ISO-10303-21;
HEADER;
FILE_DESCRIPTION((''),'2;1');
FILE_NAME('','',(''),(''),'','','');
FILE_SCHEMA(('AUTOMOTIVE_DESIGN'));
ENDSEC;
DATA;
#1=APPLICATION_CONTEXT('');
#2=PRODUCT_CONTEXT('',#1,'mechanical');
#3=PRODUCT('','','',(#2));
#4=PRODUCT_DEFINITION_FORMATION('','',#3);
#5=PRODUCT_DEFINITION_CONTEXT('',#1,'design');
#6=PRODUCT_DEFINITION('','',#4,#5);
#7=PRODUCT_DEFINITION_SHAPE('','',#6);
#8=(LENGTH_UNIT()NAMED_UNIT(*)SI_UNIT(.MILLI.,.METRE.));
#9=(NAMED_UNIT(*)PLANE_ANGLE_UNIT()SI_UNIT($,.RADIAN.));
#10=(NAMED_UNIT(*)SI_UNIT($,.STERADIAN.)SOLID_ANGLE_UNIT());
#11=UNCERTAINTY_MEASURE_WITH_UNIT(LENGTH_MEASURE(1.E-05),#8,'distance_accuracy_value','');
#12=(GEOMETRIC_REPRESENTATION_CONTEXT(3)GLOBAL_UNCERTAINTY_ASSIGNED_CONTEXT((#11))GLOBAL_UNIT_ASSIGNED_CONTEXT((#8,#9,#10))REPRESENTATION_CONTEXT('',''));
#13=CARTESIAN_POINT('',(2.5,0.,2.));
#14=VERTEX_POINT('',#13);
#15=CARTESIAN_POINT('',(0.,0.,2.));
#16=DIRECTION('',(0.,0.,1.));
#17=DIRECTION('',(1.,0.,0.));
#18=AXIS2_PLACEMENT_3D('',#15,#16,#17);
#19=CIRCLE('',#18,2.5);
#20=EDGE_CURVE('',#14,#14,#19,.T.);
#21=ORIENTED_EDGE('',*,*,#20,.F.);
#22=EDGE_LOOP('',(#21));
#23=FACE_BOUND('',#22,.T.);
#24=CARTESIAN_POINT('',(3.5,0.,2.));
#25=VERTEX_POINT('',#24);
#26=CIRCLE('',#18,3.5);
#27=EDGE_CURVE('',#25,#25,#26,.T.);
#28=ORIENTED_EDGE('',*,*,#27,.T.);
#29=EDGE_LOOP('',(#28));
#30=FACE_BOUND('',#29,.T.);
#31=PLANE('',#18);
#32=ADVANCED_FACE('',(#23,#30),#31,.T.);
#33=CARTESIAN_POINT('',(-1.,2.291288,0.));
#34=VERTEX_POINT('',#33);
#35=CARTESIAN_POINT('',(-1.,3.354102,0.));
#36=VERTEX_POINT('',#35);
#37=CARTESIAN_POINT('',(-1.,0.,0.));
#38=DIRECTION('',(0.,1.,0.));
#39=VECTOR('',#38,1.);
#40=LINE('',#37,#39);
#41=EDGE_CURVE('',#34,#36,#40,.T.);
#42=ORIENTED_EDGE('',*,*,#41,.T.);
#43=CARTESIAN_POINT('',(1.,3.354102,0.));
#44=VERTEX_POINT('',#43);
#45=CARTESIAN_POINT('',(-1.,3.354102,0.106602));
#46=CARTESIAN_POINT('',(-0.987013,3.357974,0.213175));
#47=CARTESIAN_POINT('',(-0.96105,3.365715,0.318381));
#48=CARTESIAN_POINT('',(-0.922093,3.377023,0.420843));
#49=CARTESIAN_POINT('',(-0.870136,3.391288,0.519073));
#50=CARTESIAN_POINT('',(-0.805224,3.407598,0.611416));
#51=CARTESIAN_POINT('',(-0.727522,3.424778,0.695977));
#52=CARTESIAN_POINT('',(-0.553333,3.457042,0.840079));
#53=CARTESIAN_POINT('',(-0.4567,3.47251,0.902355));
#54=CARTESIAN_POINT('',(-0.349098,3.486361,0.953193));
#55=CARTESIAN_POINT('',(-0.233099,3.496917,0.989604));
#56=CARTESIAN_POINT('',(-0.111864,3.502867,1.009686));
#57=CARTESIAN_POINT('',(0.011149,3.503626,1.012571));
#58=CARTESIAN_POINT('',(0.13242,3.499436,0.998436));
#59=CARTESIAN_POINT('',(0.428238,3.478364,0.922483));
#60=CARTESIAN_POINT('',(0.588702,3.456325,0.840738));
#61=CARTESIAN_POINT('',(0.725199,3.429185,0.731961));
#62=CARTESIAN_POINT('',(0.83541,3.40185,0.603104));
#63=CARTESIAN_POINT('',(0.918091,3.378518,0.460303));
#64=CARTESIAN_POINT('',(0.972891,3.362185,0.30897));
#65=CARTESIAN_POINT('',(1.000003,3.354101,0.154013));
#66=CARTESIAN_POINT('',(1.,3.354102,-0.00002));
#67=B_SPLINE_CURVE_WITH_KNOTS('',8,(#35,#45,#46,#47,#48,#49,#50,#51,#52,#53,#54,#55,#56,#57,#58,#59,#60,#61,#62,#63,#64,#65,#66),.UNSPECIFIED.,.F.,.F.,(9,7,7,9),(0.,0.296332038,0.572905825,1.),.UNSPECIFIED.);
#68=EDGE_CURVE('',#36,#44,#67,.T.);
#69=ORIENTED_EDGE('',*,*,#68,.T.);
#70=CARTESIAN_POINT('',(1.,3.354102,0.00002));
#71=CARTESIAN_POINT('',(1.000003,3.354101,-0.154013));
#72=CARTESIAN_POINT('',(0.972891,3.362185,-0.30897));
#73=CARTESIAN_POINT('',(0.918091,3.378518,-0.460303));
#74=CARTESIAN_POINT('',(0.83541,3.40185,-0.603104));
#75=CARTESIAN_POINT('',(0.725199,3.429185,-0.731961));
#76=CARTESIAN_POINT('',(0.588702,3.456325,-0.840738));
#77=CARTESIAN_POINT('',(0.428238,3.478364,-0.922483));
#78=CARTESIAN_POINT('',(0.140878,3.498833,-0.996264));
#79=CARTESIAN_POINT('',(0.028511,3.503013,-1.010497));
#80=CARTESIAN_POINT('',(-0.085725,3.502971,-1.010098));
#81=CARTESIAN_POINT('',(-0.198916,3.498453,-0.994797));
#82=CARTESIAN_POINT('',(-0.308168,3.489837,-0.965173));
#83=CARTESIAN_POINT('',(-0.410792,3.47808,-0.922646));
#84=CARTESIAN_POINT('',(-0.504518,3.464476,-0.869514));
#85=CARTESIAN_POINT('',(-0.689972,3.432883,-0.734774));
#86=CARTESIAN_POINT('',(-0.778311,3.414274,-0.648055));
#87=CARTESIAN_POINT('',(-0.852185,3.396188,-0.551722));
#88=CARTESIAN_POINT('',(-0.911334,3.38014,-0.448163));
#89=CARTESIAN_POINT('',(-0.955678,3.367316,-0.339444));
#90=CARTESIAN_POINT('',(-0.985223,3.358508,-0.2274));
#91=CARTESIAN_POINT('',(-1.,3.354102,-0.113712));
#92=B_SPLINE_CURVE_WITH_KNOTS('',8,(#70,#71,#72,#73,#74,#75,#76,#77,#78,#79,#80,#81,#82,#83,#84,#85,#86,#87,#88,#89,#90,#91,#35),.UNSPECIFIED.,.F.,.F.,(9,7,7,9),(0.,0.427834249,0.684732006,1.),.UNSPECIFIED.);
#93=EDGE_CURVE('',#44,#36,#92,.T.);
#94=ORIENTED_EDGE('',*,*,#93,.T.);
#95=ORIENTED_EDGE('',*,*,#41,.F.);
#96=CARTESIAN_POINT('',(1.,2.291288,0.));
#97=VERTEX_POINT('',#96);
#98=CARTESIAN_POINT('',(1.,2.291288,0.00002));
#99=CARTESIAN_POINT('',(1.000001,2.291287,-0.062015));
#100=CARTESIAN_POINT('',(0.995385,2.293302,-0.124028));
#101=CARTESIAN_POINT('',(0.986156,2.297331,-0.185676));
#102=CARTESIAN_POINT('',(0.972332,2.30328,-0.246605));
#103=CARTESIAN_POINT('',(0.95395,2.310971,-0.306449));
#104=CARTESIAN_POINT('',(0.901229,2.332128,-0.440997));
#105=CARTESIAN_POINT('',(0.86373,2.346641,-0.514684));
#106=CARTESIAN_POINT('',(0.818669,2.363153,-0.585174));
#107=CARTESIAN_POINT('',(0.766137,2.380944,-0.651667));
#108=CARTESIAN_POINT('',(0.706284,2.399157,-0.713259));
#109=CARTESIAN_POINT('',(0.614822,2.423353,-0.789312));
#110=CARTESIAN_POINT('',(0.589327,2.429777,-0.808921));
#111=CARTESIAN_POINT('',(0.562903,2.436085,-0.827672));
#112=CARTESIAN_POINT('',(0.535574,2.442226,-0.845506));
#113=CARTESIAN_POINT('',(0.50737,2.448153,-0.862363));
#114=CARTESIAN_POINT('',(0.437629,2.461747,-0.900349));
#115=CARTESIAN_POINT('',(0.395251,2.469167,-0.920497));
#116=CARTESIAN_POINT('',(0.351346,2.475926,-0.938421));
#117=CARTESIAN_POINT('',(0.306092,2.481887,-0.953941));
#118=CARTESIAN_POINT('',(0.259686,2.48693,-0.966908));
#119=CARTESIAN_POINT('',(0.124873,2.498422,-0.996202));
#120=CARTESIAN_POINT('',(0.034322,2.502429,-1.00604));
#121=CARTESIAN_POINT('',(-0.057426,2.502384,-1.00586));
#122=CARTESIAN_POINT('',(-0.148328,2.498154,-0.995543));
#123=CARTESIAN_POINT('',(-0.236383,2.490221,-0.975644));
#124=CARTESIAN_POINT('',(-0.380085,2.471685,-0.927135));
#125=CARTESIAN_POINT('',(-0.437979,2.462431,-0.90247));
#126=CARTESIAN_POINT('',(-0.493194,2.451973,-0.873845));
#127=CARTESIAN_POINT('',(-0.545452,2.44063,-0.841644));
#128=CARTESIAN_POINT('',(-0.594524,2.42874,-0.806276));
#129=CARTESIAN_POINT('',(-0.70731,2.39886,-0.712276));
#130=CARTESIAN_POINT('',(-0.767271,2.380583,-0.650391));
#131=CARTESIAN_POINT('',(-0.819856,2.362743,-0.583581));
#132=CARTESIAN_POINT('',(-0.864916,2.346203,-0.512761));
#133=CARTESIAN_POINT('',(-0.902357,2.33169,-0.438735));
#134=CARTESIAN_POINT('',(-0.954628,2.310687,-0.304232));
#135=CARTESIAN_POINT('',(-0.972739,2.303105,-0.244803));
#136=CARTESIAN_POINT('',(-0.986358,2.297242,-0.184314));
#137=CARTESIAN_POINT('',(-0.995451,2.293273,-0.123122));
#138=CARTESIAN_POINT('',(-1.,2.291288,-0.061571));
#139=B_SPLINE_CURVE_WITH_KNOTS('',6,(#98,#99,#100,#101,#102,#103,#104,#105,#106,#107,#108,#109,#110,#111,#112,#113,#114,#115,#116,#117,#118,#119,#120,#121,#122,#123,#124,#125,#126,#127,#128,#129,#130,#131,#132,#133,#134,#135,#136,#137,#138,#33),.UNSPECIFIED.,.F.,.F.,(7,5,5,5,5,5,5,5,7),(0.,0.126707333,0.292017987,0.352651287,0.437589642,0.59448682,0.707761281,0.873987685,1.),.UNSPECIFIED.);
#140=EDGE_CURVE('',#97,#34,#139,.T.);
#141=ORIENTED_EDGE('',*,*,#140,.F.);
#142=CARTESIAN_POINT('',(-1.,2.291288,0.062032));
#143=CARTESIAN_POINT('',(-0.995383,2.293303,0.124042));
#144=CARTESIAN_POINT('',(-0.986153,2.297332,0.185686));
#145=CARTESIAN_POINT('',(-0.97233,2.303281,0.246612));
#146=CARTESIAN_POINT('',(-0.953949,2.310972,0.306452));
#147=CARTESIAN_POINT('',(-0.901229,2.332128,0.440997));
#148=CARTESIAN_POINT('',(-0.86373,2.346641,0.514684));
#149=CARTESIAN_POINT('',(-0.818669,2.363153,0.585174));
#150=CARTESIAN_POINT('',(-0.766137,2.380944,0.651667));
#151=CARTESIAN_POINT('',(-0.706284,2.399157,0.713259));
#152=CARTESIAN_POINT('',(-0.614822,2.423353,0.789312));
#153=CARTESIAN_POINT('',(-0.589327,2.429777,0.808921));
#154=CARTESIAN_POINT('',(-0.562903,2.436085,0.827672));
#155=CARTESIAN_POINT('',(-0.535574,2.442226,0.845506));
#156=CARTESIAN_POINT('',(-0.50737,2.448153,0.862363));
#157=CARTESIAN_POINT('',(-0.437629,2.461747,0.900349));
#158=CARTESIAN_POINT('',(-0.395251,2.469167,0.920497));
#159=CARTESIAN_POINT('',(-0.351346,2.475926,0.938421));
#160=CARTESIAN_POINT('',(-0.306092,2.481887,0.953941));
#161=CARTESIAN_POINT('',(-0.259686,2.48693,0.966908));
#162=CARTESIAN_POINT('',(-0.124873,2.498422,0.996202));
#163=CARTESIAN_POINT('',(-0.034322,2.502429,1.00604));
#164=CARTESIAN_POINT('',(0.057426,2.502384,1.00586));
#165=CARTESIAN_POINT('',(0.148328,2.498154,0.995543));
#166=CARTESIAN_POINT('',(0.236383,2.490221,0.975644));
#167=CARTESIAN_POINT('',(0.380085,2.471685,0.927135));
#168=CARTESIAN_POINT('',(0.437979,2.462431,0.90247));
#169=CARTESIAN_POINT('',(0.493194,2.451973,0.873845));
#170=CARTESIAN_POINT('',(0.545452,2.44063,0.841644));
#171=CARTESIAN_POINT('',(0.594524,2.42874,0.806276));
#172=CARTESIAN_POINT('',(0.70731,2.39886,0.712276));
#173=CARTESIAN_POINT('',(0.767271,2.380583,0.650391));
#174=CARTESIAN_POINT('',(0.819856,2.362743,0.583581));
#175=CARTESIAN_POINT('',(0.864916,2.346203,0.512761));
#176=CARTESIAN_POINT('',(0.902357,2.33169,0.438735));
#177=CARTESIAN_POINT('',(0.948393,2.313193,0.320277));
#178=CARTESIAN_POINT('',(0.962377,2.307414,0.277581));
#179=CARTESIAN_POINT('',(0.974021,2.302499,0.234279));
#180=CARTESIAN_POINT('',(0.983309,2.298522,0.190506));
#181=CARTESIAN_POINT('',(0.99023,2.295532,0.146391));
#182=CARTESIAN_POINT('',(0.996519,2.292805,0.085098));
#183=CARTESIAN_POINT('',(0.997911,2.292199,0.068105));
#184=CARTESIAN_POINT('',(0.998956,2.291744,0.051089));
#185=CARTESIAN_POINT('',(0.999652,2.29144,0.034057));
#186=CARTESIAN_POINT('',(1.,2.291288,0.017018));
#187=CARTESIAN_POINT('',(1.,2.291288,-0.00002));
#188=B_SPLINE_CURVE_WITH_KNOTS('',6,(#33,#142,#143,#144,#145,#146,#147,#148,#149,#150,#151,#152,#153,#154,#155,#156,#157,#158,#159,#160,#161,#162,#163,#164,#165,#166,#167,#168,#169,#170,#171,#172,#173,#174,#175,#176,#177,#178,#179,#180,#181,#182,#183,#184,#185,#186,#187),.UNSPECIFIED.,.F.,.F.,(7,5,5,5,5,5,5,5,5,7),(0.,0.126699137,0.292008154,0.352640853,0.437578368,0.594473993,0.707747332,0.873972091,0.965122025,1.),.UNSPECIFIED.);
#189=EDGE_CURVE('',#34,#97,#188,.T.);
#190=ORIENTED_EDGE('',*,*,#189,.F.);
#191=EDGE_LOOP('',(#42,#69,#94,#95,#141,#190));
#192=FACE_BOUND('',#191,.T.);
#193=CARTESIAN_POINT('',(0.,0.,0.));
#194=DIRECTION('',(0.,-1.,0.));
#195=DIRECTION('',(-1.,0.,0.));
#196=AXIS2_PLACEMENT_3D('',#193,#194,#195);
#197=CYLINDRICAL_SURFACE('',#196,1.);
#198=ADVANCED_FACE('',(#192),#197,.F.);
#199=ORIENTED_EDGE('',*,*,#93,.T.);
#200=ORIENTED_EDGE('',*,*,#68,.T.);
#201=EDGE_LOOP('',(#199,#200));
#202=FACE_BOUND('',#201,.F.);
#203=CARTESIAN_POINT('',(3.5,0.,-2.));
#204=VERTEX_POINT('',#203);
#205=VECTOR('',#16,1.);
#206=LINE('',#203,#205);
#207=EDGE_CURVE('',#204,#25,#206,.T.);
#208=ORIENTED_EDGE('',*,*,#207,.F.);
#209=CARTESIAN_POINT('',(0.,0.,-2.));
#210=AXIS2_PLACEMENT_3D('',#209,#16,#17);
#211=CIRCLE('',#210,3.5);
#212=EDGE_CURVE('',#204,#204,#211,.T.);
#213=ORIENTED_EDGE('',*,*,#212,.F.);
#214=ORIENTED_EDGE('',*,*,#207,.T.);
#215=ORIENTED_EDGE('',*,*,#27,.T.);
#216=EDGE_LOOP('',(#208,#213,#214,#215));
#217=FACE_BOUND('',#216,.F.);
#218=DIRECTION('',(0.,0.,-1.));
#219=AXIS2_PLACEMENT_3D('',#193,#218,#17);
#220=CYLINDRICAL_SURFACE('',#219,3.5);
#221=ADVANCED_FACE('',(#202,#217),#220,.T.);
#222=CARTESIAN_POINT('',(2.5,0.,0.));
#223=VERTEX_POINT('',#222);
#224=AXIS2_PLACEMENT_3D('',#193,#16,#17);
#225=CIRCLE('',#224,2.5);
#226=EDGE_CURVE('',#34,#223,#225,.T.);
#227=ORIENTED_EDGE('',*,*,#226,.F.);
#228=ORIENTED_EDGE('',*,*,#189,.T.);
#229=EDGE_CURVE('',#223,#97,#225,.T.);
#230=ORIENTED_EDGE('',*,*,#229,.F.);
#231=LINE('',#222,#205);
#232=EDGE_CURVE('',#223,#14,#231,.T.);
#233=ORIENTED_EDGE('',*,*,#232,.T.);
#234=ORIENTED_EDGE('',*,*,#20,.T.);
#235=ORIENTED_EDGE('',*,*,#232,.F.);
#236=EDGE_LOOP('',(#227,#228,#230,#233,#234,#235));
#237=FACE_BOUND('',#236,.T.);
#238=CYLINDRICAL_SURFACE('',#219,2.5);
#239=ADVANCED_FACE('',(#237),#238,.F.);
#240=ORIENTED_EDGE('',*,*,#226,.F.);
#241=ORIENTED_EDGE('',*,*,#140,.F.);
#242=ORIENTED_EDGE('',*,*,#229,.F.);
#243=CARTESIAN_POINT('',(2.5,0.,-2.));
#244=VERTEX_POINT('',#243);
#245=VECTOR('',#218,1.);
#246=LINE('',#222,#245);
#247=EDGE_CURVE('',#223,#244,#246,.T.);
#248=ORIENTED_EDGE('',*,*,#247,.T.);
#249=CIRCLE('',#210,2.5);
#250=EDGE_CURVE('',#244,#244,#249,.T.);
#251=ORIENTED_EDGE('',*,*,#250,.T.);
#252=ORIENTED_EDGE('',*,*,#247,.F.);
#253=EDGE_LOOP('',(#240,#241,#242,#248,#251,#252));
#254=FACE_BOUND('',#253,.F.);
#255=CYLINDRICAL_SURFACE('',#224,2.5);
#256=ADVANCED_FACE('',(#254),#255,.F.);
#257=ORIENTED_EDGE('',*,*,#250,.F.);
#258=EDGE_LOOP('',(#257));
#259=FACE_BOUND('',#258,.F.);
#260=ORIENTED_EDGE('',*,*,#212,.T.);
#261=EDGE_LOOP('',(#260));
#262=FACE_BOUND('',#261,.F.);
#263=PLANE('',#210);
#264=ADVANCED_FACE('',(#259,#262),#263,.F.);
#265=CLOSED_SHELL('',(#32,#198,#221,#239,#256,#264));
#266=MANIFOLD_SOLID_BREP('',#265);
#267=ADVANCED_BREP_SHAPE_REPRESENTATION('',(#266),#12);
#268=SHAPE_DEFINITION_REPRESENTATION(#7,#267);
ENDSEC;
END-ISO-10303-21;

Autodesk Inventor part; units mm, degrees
ref_plane "YZ Plane" through (0, 0, 0) normal (1, 0, 0) x (0, 1, 0)
ref_plane "XZ Plane" through (0, 0, 0) normal (0, 1, 0) x (-1, 0, 0)
ref_plane "XY Plane" through (0, 0, 0) normal (0, 0, 1) x (1, 0, 0)
sketch "Skizze1" plane through (0, 0, 0) normal (0, 0, 1) x (1, 0, 0)
  circle A0 centre (0, 0) radius 3.5
  circle A1 centre (0, 0) radius 2.5
  dimension "d0" = 7
  dimension "d1" = 5
extrude "Extrusion1" add sketch "Skizze1" along normal mid plane 4
sketch "Skizze2" plane through (0, 0, 0) normal (0, 1, 0) x (-1, 0, 0)
  circle A0 centre (0, 0) radius 1
  dimension "d4" = 2
extrude "Extrusion2" cut sketch "Skizze2" along normal through all
properties part number "P_Stellring_7x4_5"
